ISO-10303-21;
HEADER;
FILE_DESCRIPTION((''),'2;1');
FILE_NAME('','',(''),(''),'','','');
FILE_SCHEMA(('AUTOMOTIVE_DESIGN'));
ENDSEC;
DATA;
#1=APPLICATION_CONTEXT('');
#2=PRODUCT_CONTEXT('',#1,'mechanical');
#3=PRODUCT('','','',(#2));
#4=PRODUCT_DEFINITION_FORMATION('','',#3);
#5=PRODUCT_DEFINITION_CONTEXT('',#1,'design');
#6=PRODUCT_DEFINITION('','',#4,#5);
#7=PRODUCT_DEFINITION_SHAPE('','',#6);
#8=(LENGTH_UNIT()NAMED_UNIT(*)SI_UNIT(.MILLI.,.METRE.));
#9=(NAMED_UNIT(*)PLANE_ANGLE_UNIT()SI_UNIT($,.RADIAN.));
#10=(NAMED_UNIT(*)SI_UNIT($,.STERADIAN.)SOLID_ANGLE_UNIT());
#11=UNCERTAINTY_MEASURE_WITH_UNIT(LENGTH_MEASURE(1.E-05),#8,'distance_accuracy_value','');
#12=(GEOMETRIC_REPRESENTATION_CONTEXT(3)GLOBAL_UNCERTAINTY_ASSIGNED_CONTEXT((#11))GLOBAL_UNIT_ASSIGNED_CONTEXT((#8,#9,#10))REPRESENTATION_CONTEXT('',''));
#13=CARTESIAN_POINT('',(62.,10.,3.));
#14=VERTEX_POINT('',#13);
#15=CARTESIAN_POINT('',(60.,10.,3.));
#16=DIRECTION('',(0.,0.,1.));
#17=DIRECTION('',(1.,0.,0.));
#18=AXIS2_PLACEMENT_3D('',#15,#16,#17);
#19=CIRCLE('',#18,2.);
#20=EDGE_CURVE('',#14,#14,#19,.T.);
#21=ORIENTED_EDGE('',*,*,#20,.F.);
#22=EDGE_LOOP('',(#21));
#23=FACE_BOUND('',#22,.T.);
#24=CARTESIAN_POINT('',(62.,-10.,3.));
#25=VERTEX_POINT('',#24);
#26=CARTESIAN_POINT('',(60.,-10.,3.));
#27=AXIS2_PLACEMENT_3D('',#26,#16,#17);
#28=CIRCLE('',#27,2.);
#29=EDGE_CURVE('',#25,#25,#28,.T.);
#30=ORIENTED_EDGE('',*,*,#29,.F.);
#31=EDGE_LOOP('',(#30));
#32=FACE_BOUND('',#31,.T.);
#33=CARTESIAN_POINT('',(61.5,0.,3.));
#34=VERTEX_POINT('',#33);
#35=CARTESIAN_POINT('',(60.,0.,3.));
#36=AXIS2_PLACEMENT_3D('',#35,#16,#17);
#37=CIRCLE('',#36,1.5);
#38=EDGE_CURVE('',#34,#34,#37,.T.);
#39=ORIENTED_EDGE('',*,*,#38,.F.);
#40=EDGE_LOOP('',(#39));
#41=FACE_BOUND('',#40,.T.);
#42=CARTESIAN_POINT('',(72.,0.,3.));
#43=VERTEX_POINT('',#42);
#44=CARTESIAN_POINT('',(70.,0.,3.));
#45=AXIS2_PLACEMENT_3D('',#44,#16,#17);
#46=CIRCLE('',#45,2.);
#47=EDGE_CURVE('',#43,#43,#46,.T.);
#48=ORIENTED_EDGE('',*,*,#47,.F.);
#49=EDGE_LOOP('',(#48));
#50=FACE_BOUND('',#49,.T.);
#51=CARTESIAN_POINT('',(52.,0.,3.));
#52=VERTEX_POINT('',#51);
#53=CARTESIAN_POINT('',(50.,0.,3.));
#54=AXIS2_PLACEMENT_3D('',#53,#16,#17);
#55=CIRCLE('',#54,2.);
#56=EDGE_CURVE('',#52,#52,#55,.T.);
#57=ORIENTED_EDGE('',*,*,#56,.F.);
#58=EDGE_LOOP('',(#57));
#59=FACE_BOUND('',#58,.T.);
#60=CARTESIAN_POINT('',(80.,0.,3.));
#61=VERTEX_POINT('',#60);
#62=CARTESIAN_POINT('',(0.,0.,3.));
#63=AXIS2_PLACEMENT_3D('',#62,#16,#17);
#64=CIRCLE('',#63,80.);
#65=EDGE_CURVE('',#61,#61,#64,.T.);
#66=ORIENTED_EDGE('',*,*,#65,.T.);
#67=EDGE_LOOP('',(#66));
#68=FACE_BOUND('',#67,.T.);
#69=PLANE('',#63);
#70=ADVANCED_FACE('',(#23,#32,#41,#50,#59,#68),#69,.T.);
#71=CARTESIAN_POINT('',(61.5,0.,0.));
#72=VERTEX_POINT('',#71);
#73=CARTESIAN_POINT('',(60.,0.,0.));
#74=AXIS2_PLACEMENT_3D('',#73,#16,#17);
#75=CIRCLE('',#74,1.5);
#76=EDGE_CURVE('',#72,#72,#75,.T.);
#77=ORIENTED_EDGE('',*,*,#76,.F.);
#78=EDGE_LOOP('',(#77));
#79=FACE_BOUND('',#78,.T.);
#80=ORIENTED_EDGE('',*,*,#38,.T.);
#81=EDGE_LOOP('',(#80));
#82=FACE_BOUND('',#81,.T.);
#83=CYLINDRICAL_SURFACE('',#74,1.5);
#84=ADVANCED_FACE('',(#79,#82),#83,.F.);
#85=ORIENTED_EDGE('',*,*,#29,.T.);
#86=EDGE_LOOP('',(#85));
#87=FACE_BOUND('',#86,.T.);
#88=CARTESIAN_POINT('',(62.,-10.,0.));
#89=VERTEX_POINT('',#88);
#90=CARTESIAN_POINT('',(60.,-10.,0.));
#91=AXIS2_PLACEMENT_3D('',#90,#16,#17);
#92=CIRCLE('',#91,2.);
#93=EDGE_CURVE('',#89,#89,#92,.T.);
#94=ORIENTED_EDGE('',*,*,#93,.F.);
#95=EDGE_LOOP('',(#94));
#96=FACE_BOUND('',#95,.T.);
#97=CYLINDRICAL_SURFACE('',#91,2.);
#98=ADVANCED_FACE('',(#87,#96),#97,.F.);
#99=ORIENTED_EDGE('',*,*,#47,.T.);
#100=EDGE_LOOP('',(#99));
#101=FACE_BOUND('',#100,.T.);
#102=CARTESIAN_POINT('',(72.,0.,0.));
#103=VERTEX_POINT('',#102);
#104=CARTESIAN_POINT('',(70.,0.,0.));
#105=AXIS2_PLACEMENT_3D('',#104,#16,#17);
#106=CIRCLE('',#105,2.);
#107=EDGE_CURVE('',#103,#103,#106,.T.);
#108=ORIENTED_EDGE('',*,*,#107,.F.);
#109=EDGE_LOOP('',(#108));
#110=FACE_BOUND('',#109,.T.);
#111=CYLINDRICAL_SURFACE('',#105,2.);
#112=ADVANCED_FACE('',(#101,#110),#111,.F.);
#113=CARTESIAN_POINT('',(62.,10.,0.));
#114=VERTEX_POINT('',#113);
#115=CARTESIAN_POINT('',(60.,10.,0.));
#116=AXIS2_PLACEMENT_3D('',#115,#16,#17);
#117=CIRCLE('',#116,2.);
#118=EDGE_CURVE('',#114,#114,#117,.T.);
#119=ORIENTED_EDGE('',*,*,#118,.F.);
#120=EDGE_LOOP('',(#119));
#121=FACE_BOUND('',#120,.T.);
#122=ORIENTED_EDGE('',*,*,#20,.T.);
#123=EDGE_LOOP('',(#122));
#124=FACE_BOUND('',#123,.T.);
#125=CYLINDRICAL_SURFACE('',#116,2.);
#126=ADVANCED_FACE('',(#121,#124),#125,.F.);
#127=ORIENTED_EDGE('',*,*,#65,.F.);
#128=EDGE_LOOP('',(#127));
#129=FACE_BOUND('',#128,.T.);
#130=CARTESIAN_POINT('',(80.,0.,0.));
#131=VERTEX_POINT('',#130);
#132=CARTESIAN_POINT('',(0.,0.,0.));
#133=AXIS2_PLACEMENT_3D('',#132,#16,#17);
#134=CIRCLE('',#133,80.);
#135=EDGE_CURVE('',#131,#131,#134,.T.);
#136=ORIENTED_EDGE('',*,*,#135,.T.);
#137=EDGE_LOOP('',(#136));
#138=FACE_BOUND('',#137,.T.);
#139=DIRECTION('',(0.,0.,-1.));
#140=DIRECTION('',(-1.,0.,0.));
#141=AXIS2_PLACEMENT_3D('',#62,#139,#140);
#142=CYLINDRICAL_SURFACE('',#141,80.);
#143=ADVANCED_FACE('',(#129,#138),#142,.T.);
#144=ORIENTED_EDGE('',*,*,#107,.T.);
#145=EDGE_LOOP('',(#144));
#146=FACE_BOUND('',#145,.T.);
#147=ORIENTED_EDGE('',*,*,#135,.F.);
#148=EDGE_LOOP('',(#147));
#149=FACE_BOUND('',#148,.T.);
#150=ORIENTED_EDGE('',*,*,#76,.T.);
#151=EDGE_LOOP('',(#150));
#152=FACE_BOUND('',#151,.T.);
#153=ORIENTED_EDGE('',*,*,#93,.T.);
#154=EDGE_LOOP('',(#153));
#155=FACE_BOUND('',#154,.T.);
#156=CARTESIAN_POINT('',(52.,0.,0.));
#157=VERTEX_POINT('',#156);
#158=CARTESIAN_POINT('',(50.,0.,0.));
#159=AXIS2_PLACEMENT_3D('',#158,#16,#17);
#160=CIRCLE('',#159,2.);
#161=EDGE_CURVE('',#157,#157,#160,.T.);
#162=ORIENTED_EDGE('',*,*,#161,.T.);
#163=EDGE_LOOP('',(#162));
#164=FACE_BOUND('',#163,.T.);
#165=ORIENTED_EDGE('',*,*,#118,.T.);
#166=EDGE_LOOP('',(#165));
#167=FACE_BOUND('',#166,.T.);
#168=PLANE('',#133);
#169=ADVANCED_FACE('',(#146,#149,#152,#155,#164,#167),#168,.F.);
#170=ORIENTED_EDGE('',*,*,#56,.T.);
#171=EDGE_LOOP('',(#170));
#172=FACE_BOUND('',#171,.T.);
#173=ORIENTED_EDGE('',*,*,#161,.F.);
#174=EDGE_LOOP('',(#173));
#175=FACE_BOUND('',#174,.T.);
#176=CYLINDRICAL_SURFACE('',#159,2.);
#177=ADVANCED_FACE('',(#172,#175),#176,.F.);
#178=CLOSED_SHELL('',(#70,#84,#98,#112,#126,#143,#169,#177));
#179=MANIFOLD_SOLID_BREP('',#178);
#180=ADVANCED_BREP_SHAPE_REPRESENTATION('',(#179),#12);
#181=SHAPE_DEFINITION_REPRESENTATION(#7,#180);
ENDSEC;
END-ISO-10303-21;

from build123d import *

# Parameters (mm, degrees)
SKETCH_1_R          = 80
EXTRUDE_1_DEPTH     = 3
SKETCH_2_R          = 2
SKETCH_2_R_2        = 1.5
CUT_EXTRUDE_4_DEPTH = 3


with BuildPart() as part:
    # 草图1 → 凸台-拉伸1 (new body)
    with BuildSketch(Plane.XY):
        Circle(SKETCH_1_R)
    extrude(amount=EXTRUDE_1_DEPTH)

    # 草图2 → 切除-拉伸4 (cut)
    with BuildSketch(Plane.XY.offset(3)):
        with Locations((70, 0)):
            Circle(SKETCH_2_R)
        with Locations((60, -10)):
            Circle(SKETCH_2_R)
        with Locations((60, 0)):
            Circle(SKETCH_2_R_2)
        with Locations((50, 0)):
            Circle(SKETCH_2_R)
        with Locations((60, 10)):
            Circle(SKETCH_2_R)
    extrude(amount=-CUT_EXTRUDE_4_DEPTH, mode=Mode.SUBTRACT)


solid = part.part
